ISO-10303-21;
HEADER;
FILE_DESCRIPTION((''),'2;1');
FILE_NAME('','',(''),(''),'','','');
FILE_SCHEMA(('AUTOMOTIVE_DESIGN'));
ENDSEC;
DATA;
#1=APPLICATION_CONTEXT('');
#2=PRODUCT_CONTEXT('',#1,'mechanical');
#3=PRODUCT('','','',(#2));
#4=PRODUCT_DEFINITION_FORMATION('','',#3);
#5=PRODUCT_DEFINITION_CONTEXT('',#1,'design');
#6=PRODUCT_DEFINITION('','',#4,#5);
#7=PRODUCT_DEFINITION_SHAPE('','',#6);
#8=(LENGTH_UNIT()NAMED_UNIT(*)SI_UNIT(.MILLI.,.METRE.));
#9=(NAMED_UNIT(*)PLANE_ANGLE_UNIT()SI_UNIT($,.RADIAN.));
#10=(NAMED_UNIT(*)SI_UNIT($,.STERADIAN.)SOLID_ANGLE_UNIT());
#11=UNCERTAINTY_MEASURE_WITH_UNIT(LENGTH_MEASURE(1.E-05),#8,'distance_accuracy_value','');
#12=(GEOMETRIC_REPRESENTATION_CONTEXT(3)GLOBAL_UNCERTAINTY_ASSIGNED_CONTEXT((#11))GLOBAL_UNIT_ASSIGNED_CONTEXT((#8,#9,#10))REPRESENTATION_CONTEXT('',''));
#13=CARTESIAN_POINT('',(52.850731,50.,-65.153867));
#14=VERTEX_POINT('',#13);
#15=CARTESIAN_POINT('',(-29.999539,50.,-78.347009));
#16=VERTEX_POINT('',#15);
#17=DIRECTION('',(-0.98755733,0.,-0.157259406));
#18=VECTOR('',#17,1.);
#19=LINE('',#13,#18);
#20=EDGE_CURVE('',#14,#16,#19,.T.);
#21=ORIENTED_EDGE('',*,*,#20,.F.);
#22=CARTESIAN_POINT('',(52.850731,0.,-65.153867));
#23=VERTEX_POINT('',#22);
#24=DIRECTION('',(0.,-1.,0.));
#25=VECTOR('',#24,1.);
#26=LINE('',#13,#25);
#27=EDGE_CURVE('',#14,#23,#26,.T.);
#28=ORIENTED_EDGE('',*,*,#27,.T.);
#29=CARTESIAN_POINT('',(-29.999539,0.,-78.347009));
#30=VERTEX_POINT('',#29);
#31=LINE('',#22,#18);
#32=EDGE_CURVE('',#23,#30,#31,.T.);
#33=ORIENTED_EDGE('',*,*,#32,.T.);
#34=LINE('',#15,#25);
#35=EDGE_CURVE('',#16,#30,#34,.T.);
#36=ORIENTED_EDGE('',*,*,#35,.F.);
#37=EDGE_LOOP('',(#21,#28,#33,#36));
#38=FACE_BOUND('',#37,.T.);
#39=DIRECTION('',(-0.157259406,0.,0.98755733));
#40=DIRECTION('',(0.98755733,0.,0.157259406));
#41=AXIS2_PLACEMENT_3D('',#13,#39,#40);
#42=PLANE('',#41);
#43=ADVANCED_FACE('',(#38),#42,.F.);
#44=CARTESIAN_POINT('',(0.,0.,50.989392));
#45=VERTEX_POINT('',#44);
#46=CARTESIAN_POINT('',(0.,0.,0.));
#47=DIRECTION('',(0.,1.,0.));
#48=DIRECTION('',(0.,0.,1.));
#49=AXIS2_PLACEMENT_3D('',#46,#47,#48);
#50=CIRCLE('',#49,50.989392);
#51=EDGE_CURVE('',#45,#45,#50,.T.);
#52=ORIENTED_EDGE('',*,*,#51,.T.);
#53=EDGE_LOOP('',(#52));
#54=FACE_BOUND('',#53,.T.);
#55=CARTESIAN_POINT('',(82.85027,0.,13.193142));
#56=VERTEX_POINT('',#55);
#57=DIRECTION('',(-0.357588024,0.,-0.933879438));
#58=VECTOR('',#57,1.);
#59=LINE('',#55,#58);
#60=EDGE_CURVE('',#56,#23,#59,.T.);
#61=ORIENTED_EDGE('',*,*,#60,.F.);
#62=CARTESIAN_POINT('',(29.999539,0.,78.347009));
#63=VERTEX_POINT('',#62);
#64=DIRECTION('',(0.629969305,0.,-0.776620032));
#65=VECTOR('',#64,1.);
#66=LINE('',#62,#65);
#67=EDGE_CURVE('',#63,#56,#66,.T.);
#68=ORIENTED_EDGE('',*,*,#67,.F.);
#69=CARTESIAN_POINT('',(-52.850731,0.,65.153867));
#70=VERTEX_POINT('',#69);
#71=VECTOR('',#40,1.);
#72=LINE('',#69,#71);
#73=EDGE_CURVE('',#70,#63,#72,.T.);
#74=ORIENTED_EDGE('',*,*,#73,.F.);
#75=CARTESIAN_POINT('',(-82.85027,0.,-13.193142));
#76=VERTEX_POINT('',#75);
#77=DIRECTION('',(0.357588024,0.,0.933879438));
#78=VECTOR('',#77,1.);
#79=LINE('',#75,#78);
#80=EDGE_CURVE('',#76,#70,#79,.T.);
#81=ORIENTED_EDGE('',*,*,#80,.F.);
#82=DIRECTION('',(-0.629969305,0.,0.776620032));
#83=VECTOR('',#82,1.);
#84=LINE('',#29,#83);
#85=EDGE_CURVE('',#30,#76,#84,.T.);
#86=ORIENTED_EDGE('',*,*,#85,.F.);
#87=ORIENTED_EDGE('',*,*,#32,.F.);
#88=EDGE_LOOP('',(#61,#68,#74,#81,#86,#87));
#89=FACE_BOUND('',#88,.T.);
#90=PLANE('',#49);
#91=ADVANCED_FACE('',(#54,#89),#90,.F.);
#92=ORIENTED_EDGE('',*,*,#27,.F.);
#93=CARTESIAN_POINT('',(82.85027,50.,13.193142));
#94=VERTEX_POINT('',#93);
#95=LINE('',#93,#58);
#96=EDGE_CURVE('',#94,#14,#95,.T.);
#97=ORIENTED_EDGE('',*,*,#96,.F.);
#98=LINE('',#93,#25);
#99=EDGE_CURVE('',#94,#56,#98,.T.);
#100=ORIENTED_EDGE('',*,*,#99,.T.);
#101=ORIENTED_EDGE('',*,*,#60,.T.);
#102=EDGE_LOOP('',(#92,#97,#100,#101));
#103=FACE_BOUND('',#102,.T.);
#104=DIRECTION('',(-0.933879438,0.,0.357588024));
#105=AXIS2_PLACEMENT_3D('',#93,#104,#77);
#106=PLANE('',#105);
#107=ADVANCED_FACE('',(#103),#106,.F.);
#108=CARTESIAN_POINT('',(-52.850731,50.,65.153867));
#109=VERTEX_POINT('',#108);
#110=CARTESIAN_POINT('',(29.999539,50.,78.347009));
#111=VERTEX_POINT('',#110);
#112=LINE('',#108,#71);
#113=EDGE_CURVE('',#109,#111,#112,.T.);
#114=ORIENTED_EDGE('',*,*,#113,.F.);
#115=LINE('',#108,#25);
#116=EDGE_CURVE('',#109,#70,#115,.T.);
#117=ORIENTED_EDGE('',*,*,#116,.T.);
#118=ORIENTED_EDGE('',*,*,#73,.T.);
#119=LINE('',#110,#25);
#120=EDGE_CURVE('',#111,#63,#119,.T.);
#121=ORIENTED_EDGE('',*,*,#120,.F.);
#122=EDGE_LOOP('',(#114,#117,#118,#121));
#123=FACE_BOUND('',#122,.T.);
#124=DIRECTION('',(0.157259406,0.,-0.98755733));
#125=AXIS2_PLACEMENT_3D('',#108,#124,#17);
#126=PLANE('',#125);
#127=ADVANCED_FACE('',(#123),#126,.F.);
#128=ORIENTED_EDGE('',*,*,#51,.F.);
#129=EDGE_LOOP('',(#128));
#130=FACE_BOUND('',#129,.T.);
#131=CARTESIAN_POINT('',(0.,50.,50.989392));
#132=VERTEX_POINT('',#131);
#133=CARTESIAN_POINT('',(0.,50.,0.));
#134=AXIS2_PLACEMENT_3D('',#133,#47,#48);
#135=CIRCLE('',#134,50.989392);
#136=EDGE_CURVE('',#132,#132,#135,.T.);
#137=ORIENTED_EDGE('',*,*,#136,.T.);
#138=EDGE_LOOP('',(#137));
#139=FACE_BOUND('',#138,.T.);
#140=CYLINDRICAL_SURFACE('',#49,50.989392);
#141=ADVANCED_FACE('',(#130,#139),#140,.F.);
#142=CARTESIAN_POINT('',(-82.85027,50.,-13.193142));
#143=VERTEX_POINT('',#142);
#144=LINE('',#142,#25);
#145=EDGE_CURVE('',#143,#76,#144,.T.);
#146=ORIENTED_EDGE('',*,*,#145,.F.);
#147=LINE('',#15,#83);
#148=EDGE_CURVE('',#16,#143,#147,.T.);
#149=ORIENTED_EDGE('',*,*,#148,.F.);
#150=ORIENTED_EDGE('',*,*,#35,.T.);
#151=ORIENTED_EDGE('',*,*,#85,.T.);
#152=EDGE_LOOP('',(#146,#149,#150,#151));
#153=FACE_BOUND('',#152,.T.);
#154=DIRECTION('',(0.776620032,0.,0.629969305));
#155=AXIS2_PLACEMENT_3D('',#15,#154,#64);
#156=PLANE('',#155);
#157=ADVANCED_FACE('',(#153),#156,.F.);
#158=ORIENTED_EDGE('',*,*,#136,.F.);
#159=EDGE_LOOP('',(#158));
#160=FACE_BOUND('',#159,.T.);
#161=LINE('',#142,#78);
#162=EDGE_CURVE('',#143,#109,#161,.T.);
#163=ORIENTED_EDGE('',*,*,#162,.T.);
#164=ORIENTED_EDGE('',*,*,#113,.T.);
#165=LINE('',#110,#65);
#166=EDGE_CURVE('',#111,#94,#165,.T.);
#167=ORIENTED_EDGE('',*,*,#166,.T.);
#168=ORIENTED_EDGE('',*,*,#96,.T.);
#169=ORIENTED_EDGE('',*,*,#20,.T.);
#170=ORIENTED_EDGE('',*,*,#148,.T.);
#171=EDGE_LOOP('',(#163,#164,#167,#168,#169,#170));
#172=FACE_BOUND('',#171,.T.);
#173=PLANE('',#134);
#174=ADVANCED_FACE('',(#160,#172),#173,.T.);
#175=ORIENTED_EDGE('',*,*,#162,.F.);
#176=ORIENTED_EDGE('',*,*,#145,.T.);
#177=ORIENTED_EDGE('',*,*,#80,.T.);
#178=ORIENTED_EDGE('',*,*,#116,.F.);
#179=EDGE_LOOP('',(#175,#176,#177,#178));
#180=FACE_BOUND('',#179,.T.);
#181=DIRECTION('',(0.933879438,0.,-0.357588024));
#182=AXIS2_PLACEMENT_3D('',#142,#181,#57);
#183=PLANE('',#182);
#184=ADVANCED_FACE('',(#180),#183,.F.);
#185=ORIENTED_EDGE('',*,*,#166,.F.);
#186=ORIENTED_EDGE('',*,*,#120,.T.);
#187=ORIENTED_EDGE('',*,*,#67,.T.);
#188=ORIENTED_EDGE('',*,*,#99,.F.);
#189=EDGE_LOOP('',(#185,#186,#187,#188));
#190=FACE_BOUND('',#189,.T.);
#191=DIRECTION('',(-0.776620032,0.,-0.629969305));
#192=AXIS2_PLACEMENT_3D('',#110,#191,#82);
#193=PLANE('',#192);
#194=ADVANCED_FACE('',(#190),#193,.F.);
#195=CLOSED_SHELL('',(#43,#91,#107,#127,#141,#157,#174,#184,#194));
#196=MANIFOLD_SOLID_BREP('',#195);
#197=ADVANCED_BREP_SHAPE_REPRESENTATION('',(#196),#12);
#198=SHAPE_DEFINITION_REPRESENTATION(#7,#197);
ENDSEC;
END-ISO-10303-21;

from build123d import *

# Parameters (mm, degrees)
BOSS_EXTRUDE1_DEPTH = 50
SKETCH2_R           = 50.989391982
CUT_EXTRUDE1_DEPTH  = 125.508718894


with BuildPart() as part:
    # Sketch1 → Boss-Extrude1 (new body)
    with BuildSketch(Plane(origin=(0, 0, 0), x_dir=(1, 0, 0), z_dir=(0, 1, 0))):
        Polygon((29.999538639, -78.347009392), (82.850269763, -13.193142133), (52.850731125, 65.153867259), (-29.999538639, 78.347009392), (-82.850269763, 13.193142133), (-52.850731125, -65.153867259), align=None)
    extrude(amount=BOSS_EXTRUDE1_DEPTH)

    # Sketch2 → Cut-Extrude1 (cut, through all)
    with BuildSketch(Plane(origin=(0, 50, 0), x_dir=(1, 0, 0), z_dir=(0, 1, 0))):
        with Locations(Location((0, 0, 0), (0, 0, 270))):
            Circle(SKETCH2_R)
    extrude(amount=-CUT_EXTRUDE1_DEPTH, mode=Mode.SUBTRACT)


solid = part.part
